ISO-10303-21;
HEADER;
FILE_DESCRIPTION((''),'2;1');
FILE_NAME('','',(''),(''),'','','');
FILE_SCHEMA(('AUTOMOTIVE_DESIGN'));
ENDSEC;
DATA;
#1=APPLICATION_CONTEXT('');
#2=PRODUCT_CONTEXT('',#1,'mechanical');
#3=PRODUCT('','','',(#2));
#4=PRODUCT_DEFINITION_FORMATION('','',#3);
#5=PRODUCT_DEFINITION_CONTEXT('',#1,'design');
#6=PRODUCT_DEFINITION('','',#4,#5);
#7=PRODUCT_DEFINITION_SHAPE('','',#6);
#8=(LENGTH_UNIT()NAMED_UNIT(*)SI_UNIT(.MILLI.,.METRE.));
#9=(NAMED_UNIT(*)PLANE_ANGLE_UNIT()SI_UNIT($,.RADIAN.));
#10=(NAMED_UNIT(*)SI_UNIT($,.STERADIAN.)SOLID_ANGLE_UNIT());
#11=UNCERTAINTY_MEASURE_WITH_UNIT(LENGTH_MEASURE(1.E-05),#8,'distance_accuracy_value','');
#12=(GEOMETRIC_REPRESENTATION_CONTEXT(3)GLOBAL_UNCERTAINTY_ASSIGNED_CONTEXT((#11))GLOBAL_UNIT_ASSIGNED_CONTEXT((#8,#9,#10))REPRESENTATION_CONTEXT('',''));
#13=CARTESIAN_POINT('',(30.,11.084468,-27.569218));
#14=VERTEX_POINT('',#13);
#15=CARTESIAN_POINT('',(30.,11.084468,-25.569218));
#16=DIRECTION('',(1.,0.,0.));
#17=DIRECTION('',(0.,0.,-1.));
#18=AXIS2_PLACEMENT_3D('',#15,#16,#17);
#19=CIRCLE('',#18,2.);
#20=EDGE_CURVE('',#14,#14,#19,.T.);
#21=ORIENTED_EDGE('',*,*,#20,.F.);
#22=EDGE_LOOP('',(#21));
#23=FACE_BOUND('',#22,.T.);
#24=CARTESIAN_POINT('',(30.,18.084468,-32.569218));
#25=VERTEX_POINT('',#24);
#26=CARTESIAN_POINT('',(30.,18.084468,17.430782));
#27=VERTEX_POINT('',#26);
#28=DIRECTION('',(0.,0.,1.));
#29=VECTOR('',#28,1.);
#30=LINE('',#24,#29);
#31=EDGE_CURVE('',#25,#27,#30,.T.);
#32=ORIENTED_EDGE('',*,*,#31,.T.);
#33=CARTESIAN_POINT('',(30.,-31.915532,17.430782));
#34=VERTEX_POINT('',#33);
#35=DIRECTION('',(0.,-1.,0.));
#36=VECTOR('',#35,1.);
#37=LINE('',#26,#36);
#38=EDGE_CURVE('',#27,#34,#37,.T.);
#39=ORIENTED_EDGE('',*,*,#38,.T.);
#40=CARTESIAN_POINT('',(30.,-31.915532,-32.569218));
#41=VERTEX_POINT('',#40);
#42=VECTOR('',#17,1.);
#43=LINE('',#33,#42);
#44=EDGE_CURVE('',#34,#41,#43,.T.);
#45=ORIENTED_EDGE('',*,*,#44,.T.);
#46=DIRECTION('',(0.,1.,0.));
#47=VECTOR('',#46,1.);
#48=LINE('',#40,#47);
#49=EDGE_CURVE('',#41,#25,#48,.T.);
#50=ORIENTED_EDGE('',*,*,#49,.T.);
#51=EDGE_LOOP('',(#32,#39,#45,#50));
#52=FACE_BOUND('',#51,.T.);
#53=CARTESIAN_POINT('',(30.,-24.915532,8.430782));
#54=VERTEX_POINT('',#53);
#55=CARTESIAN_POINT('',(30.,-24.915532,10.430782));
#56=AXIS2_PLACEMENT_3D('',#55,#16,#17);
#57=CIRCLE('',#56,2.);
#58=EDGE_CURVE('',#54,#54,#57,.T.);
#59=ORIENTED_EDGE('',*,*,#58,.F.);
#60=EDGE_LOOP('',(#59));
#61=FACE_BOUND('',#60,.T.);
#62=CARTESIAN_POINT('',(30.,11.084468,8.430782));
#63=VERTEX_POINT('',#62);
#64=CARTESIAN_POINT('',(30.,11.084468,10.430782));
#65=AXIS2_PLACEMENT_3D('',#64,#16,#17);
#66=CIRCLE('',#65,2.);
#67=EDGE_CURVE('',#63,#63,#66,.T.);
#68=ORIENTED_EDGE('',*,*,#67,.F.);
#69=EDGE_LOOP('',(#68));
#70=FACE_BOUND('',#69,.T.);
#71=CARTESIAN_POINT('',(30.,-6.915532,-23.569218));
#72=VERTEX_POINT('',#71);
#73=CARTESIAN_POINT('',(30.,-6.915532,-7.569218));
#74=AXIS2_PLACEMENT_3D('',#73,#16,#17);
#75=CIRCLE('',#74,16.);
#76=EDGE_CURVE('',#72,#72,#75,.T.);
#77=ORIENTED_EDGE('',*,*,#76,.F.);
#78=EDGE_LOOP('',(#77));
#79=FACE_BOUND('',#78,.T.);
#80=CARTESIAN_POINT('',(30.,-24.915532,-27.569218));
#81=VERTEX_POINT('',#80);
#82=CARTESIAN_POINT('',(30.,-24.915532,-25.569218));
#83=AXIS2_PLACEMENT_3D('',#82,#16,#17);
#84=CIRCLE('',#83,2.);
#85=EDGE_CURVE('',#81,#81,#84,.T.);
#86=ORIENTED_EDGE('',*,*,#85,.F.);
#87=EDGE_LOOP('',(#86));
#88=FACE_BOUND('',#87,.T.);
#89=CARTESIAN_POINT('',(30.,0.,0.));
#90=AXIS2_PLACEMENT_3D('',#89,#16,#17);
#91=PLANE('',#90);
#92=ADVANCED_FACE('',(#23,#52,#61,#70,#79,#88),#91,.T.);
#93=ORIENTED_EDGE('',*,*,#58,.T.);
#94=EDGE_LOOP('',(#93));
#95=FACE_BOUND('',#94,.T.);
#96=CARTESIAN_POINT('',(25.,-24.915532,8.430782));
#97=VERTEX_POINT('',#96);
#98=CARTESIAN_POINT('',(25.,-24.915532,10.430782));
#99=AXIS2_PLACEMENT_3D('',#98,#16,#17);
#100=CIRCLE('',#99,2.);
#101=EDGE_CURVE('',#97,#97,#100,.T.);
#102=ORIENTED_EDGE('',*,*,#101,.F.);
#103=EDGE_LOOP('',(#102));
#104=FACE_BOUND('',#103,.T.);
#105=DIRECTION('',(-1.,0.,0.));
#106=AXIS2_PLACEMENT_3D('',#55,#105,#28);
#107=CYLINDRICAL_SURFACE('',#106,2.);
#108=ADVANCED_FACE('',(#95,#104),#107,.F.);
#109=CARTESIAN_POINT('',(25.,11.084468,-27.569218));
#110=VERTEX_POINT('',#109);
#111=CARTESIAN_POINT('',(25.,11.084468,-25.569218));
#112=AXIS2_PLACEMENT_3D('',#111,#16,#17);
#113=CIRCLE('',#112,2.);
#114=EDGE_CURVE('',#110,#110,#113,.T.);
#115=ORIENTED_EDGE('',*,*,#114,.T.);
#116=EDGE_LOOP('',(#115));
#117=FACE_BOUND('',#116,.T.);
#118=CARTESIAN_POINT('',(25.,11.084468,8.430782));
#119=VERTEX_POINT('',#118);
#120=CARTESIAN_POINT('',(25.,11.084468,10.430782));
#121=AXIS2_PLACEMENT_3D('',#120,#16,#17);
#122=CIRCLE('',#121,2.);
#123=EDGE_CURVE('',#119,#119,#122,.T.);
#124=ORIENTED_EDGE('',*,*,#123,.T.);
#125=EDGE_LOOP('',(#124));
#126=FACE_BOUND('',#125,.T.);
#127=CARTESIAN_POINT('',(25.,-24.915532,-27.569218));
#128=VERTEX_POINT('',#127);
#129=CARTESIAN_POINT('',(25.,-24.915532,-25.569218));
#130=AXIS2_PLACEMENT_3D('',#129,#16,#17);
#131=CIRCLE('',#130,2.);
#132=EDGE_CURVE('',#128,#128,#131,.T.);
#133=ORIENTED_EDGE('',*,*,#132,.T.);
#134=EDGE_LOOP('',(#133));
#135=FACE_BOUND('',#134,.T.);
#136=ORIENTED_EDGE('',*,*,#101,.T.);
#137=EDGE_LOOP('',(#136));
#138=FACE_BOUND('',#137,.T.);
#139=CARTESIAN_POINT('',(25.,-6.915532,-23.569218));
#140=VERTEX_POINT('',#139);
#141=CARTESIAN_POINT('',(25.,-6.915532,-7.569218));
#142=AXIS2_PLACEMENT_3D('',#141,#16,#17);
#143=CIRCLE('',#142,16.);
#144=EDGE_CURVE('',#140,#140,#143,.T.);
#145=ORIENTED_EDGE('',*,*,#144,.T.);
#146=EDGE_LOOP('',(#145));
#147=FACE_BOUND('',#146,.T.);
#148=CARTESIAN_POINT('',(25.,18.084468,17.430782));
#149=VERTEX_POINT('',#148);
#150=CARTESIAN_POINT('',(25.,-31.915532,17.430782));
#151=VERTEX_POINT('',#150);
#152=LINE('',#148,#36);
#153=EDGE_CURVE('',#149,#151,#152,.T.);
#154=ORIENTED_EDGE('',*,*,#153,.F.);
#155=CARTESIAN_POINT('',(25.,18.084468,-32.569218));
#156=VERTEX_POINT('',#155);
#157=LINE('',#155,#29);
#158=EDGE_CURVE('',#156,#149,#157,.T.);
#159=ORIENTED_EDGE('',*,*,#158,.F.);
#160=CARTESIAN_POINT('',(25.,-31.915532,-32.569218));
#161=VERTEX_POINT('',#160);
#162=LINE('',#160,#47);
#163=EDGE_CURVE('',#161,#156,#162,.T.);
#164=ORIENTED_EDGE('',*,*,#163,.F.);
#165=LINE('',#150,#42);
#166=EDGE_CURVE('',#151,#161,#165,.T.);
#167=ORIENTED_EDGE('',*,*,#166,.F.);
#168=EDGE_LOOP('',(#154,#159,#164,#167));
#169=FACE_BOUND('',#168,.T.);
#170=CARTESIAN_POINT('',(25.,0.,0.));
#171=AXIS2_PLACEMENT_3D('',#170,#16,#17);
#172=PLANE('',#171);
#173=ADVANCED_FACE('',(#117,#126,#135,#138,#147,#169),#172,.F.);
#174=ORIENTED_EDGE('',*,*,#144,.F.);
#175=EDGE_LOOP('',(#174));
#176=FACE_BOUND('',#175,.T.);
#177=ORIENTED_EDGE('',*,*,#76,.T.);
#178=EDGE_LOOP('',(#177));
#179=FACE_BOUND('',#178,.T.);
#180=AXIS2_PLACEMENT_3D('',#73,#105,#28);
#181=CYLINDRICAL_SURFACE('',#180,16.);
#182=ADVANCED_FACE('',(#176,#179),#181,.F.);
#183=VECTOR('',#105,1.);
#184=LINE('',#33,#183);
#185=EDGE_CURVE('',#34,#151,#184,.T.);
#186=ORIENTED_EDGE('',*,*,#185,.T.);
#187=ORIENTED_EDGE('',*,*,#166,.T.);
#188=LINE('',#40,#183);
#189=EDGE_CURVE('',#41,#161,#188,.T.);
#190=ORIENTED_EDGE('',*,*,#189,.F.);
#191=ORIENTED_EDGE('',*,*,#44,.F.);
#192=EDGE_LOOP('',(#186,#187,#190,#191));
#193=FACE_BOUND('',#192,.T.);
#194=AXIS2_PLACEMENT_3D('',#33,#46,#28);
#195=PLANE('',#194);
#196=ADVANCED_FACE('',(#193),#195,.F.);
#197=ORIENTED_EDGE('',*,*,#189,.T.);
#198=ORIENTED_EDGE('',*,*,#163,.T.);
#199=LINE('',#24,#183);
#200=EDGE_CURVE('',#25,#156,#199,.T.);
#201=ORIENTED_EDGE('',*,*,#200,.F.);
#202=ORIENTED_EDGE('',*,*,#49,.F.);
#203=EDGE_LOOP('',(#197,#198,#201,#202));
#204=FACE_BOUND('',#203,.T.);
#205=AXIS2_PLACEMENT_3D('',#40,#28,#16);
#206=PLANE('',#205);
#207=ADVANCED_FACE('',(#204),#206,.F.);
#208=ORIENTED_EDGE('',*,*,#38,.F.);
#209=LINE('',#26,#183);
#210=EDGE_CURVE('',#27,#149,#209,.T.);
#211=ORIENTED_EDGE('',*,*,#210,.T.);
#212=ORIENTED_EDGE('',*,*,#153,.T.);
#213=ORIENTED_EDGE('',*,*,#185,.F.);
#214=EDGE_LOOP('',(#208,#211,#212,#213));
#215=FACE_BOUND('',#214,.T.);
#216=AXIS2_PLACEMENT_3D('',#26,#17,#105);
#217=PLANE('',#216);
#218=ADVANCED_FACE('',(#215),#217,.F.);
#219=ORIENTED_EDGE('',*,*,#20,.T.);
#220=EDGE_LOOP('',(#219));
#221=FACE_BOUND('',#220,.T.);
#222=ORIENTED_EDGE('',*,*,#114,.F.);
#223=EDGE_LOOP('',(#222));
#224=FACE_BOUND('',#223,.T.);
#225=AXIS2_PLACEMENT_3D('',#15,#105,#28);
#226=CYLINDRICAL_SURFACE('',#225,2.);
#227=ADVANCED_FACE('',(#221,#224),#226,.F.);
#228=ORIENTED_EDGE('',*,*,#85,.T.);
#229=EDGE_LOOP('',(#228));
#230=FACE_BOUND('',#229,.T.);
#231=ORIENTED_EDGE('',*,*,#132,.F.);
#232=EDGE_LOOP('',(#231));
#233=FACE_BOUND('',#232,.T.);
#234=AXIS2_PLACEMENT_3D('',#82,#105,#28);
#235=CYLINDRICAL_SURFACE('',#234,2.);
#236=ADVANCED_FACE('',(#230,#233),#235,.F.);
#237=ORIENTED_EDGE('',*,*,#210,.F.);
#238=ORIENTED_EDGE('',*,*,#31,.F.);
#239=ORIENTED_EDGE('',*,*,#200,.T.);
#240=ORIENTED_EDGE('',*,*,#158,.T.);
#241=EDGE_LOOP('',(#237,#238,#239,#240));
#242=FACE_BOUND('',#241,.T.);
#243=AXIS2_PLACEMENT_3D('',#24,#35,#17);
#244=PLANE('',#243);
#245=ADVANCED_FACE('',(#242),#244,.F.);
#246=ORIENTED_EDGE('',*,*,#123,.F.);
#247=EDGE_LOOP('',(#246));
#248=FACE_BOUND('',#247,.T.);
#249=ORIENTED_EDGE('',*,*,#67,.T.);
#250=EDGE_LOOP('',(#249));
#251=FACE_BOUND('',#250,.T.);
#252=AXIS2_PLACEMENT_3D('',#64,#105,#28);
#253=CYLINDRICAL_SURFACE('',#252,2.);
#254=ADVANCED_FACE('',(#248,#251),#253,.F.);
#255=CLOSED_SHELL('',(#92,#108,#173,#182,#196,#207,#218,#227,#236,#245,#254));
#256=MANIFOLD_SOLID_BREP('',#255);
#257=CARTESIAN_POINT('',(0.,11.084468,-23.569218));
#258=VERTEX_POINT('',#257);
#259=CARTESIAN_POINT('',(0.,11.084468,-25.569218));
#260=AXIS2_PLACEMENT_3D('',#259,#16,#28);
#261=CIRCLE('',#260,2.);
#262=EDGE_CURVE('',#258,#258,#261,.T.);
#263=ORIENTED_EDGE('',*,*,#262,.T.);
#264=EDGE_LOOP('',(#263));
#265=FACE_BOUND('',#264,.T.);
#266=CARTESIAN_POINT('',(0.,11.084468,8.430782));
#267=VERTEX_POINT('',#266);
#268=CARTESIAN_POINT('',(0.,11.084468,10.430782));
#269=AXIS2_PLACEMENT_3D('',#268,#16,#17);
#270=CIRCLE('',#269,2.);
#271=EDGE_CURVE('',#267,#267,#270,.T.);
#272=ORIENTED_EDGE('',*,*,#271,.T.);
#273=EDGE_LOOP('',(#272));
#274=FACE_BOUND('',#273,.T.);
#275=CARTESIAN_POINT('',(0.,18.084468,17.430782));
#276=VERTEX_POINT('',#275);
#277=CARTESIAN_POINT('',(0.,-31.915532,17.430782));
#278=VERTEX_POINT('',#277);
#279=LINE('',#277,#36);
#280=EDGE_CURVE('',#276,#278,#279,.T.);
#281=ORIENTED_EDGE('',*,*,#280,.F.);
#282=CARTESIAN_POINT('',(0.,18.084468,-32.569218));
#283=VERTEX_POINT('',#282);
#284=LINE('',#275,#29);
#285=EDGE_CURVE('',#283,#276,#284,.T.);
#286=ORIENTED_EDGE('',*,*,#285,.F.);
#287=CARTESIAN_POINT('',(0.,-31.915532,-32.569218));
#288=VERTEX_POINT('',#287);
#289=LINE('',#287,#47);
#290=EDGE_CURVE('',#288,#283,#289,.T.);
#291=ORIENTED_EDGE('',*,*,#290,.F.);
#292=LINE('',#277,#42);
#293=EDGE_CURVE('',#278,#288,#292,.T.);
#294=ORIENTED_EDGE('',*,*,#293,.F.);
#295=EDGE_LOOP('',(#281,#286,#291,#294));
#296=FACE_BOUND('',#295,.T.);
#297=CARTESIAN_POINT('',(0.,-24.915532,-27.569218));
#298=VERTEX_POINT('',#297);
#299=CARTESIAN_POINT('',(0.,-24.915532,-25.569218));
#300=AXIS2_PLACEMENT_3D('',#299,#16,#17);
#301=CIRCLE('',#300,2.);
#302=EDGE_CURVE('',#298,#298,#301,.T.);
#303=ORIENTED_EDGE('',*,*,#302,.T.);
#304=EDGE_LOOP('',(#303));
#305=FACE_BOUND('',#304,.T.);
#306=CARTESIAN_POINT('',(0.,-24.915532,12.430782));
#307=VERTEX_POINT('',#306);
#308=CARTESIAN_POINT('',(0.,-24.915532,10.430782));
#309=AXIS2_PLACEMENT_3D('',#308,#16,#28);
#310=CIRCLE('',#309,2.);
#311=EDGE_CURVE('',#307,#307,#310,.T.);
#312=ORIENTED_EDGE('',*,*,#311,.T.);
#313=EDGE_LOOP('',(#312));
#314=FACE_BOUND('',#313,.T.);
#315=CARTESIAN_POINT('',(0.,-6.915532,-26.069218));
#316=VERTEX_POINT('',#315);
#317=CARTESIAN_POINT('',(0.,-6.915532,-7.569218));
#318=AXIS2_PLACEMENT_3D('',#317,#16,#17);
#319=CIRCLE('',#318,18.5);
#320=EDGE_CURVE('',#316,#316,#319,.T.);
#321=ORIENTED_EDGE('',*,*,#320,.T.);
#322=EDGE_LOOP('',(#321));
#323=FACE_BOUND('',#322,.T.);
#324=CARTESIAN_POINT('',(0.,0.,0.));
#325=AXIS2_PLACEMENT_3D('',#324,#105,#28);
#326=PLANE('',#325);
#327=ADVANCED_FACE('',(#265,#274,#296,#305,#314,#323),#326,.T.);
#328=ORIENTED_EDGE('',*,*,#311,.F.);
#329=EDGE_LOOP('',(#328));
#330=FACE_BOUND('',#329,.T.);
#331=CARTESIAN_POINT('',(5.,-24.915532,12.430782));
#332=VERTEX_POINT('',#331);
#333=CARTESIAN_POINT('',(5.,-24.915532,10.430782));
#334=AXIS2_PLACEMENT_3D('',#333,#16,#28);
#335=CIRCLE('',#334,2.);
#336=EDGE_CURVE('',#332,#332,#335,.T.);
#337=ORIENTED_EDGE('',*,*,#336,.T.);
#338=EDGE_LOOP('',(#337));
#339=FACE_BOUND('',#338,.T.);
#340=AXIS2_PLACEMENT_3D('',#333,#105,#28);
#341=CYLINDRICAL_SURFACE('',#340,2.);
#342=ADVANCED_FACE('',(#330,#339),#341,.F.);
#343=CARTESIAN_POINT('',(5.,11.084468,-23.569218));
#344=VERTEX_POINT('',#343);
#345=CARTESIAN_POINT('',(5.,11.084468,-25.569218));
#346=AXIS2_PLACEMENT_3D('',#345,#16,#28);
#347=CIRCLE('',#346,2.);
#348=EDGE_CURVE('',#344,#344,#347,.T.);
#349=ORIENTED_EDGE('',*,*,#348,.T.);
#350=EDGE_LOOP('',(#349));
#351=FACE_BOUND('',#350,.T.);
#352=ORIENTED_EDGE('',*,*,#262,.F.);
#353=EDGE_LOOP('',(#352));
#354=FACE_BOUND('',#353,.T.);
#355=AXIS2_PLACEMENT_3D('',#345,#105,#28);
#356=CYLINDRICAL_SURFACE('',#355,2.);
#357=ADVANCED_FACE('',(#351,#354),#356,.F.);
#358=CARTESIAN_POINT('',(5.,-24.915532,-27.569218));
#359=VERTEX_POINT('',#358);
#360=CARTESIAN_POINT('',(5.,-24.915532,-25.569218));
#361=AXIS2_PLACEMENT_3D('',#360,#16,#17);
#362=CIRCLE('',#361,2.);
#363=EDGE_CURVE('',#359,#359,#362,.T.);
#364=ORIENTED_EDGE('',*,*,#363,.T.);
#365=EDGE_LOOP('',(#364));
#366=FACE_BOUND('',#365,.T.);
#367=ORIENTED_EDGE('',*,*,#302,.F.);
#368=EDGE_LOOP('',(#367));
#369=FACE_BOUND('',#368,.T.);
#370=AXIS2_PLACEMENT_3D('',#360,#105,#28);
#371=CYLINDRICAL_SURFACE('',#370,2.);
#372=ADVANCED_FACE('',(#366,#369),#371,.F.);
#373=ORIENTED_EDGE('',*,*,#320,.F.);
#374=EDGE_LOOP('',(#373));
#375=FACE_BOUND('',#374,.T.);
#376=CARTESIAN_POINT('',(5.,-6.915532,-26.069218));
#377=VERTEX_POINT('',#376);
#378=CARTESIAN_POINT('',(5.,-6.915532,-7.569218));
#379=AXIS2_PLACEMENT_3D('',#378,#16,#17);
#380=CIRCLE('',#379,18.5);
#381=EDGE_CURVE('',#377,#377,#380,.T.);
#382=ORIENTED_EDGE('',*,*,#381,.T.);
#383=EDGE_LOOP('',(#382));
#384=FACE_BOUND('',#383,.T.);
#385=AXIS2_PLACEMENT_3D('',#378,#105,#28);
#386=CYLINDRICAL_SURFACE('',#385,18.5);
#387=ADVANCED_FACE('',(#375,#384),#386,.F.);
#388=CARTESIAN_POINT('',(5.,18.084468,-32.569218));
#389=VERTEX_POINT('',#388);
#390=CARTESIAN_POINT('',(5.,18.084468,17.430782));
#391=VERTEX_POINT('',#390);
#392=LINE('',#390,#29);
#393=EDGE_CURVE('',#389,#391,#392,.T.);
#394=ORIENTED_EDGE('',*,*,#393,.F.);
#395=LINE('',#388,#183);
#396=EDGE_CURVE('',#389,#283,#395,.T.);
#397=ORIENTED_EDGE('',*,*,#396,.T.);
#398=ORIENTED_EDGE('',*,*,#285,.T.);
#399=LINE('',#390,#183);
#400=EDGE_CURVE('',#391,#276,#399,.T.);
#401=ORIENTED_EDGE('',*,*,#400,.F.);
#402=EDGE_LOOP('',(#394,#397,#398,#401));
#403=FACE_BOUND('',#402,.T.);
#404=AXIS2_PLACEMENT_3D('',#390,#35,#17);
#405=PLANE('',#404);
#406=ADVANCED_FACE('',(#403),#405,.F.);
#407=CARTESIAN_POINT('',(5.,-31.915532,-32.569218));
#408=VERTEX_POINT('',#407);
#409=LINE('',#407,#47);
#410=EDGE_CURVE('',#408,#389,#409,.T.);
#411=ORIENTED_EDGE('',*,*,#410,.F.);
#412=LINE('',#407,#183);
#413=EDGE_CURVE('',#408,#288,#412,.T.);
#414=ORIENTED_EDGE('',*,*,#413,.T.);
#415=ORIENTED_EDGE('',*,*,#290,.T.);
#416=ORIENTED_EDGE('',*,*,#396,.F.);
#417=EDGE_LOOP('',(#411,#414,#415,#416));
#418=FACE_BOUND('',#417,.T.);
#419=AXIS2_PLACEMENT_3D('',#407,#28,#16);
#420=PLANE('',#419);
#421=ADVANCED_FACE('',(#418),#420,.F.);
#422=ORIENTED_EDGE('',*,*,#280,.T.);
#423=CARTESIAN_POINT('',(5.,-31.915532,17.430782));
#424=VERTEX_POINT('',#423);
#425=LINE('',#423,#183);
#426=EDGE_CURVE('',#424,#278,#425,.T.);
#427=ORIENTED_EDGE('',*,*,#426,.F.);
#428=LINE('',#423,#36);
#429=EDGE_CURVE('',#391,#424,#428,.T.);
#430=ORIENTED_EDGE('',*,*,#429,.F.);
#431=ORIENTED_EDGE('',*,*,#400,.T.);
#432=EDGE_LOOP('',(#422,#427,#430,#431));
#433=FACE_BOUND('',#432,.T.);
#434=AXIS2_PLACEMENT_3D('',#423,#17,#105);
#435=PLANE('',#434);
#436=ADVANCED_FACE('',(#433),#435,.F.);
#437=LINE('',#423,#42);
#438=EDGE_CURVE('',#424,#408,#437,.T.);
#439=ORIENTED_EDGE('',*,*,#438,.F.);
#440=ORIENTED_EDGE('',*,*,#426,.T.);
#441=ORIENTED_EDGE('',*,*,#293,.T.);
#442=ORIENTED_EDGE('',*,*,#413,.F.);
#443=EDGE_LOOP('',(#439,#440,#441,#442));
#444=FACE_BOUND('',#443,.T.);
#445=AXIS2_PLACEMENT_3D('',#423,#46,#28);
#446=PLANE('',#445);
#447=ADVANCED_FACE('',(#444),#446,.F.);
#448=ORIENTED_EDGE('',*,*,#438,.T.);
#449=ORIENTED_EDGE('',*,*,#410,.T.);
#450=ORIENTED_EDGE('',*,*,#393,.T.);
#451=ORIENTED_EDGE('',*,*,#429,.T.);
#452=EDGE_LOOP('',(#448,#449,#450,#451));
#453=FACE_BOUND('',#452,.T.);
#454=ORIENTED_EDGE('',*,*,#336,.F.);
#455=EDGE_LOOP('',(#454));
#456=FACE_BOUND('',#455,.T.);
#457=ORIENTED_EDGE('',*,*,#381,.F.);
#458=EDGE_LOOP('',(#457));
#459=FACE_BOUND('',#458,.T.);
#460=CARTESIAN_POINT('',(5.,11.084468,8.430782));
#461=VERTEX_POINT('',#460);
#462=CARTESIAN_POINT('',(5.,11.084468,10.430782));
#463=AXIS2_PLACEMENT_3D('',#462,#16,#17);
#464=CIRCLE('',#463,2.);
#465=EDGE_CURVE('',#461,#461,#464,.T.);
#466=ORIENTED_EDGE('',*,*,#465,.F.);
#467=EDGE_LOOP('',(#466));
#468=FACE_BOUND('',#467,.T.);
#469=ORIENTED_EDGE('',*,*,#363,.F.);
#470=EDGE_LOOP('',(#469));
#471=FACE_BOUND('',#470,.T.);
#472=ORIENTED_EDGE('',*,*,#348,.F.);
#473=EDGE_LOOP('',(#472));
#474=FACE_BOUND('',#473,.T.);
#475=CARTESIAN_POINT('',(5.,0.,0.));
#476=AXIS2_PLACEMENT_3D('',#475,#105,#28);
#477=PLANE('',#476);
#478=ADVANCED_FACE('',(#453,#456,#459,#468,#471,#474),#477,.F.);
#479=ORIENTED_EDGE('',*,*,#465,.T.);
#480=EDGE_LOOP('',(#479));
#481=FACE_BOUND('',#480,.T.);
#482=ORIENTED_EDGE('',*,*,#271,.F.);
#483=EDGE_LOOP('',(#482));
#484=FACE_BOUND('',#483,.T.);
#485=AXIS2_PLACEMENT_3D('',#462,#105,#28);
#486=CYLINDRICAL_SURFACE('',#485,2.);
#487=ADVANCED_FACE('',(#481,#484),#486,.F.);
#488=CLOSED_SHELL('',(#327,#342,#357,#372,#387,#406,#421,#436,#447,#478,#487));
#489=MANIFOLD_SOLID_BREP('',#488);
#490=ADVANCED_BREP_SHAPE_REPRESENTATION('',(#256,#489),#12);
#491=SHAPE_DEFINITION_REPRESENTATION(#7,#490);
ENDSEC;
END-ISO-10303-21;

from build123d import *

# Parameters (mm, degrees)
SKETCH1_W           = 50
SKETCH1_H           = 50
SKETCH1_R           = 2
SKETCH1_R_2         = 18.5
BOSS_EXTRUDE1_DEPTH = 5
SKETCH4_W           = 50
SKETCH4_H           = 50
SKETCH4_R           = 2
SKETCH4_R_2         = 16
BOSS_EXTRUDE2_DEPTH = 5


with BuildPart() as part:
    # Sketch1 → Boss-Extrude1 (new body)
    with BuildSketch(Plane(origin=(0, 0, 0), x_dir=(0, 0, -1), z_dir=(1, 0, 0))):
        with Locations((7.569218273, -6.915532209)):
            Rectangle(SKETCH1_W, SKETCH1_H)
        with Locations((-10.430781727, 11.084467791)):
            Circle(SKETCH1_R, mode=Mode.SUBTRACT)
        with Locations(Location((-10.430781727, -24.915532209, 0), (0, 0, 180))):
            Circle(SKETCH1_R, mode=Mode.SUBTRACT)
        with Locations((25.569218273, -24.915532209)):
            Circle(SKETCH1_R, mode=Mode.SUBTRACT)
        with Locations(Location((25.569218273, 11.084467791, 0), (0, 0, 180))):
            Circle(SKETCH1_R, mode=Mode.SUBTRACT)
        with Locations((7.569218273, -6.915532209)):
            Circle(SKETCH1_R_2, mode=Mode.SUBTRACT)
    extrude(amount=BOSS_EXTRUDE1_DEPTH)


with BuildPart() as body_2:
    # Sketch4 → Boss-Extrude2 (new body)
    with BuildSketch(Plane(origin=(25, 0, 0), x_dir=(0, 0, -1), z_dir=(1, 0, 0))):
        with Locations((7.569218273, -6.915532209)):
            Rectangle(SKETCH4_W, SKETCH4_H)
        with Locations((-10.430781727, -24.915532209)):
            Circle(SKETCH4_R, mode=Mode.SUBTRACT)
        with Locations((-10.430781727, 11.084467791)):
            Circle(SKETCH4_R, mode=Mode.SUBTRACT)
        with Locations((25.569218273, 11.084467791)):
            Circle(SKETCH4_R, mode=Mode.SUBTRACT)
        with Locations((25.569218273, -24.915532209)):
            Circle(SKETCH4_R, mode=Mode.SUBTRACT)
        with Locations((7.569218273, -6.915532209)):
            Circle(SKETCH4_R_2, mode=Mode.SUBTRACT)
    extrude(amount=BOSS_EXTRUDE2_DEPTH)


solid = Compound([part.part, body_2.part])
